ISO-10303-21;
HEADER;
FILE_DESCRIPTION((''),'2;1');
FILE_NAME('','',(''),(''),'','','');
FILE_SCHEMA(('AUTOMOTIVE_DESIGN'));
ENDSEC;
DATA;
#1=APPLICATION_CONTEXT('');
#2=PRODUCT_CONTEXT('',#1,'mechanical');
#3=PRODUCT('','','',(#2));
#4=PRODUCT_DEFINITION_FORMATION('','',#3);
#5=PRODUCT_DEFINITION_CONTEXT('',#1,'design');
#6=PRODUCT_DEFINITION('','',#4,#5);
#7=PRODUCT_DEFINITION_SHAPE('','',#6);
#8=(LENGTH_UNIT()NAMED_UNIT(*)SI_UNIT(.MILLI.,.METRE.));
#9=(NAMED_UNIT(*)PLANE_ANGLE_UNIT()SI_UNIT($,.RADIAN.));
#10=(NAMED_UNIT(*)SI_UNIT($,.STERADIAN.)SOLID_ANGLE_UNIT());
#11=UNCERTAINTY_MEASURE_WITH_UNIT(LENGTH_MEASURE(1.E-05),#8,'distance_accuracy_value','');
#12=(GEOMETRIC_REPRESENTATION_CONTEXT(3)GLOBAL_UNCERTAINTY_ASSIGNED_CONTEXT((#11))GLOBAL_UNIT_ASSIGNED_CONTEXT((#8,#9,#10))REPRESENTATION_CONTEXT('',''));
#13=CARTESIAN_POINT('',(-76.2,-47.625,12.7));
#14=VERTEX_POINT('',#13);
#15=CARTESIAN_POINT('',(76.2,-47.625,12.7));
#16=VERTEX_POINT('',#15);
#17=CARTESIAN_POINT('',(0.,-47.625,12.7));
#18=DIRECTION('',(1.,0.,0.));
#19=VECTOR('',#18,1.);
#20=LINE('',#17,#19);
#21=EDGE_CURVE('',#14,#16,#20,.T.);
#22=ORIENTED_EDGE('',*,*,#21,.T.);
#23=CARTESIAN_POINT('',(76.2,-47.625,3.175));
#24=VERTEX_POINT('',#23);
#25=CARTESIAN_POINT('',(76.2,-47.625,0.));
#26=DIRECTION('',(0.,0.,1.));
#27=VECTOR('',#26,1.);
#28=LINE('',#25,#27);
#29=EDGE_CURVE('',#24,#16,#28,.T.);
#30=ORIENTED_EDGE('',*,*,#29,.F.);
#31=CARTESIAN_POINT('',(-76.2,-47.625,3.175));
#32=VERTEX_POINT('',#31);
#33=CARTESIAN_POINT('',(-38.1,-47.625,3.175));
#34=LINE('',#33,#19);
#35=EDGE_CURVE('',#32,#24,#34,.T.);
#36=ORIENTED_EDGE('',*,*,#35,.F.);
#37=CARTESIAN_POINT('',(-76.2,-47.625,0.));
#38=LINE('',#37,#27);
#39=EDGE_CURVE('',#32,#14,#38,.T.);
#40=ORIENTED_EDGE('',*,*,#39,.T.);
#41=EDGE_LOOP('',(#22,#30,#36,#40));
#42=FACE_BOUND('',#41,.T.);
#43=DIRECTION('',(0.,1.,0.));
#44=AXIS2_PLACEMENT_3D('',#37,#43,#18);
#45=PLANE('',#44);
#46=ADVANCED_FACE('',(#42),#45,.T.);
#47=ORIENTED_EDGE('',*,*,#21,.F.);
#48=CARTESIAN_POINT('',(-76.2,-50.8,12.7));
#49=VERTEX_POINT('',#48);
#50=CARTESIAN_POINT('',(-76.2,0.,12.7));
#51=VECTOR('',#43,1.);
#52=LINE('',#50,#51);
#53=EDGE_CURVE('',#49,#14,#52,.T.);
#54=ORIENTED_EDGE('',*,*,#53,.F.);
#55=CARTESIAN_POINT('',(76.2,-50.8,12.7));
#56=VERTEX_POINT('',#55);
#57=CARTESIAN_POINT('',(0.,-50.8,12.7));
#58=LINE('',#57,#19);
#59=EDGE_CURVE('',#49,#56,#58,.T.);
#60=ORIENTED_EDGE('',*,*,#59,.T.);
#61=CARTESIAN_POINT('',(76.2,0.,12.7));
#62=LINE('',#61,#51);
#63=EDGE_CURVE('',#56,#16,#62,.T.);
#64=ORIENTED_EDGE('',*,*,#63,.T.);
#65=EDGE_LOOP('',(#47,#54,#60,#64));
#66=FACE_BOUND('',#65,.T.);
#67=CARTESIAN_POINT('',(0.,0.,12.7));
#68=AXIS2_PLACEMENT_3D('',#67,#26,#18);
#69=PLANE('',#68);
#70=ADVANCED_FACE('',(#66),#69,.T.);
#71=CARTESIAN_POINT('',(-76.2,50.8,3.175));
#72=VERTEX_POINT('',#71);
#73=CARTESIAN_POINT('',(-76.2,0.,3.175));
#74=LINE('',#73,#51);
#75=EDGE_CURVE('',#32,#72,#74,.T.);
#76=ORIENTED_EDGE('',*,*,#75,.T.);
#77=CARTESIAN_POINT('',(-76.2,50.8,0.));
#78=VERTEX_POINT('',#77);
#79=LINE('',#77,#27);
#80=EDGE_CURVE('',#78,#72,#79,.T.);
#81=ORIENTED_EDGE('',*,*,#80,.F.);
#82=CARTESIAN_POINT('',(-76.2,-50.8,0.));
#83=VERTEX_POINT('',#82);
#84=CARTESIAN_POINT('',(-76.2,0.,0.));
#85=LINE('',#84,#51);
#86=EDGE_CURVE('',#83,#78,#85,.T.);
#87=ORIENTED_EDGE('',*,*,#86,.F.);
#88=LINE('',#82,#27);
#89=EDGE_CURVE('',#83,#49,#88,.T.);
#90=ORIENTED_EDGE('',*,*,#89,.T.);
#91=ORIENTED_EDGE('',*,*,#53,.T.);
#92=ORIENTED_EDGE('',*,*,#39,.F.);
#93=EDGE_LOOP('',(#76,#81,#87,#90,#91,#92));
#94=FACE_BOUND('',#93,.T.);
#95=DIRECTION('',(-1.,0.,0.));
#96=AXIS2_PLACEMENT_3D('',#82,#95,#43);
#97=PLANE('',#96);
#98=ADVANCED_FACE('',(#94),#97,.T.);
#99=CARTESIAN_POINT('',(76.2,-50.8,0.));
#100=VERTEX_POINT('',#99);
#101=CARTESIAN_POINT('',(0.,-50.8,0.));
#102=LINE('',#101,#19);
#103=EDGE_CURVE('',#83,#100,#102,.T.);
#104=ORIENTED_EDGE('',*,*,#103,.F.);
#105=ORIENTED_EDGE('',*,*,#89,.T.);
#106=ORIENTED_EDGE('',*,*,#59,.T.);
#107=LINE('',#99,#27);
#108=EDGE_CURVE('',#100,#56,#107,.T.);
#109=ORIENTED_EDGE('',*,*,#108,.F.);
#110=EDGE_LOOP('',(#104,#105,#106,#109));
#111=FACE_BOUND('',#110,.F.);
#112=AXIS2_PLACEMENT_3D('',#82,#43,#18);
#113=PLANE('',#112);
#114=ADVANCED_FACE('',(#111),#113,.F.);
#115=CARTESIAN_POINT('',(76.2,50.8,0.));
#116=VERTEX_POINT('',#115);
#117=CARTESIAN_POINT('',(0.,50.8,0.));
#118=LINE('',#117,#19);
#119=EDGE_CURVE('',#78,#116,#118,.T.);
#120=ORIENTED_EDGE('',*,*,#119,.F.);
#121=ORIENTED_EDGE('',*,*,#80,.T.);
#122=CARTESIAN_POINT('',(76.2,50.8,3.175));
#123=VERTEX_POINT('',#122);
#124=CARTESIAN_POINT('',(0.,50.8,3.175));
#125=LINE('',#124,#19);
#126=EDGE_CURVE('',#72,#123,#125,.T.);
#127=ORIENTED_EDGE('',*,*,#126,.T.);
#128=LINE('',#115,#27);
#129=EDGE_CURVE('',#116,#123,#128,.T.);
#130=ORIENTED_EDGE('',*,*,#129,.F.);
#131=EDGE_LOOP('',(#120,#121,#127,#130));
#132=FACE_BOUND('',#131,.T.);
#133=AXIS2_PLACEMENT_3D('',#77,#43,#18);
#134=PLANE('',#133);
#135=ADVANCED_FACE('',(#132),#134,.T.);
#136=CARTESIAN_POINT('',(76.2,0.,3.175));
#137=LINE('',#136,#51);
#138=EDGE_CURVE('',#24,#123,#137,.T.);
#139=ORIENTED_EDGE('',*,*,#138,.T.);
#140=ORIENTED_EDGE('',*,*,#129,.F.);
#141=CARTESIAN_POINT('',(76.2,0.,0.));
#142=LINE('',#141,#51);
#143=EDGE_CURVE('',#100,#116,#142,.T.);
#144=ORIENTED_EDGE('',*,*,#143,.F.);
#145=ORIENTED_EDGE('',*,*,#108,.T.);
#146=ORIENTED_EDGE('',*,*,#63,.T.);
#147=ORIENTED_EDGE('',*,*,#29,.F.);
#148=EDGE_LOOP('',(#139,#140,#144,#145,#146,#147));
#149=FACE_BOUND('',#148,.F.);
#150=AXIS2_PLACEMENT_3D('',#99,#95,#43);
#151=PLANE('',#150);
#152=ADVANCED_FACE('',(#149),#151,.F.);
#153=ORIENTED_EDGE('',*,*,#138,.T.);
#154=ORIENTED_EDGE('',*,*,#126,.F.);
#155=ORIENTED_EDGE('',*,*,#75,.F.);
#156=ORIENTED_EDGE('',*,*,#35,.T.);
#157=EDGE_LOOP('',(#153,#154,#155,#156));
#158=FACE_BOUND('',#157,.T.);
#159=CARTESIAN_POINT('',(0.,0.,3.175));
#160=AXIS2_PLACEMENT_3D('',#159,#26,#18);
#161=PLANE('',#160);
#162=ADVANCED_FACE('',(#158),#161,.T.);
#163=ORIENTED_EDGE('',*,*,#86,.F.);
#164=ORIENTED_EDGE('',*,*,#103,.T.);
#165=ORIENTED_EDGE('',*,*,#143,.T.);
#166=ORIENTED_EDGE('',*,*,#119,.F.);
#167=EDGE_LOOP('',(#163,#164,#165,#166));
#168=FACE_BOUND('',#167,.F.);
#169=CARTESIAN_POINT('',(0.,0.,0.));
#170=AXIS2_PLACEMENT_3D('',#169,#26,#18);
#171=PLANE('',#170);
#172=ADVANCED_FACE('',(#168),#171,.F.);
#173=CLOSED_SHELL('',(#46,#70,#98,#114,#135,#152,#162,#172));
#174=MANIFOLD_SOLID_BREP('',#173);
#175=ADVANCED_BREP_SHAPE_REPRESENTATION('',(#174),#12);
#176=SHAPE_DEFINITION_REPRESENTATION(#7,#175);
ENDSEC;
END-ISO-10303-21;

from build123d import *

# Parameters (mm, degrees)
F0_W     = 152.4
F0_H     = 101.6
F1_DEPTH = 12.7
F2_T     = -3.175


with BuildPart() as f1:
    # F0 (on Top) → F1 (new body)
    with BuildSketch(Plane.XY):
        Rectangle(F0_W, F0_H)
    extrude(amount=F1_DEPTH)

    # F2
    f2_openings = [f1.faces().sort_by_distance(p)[0] for p in [
        (-76.2, 0, 6.35),
        (0, 0, 12.7),
        (76.2, 0, 6.35),
        (0, 50.8, 6.35),
    ]]
    offset(amount=F2_T, openings=f2_openings)


solid = f1.part
